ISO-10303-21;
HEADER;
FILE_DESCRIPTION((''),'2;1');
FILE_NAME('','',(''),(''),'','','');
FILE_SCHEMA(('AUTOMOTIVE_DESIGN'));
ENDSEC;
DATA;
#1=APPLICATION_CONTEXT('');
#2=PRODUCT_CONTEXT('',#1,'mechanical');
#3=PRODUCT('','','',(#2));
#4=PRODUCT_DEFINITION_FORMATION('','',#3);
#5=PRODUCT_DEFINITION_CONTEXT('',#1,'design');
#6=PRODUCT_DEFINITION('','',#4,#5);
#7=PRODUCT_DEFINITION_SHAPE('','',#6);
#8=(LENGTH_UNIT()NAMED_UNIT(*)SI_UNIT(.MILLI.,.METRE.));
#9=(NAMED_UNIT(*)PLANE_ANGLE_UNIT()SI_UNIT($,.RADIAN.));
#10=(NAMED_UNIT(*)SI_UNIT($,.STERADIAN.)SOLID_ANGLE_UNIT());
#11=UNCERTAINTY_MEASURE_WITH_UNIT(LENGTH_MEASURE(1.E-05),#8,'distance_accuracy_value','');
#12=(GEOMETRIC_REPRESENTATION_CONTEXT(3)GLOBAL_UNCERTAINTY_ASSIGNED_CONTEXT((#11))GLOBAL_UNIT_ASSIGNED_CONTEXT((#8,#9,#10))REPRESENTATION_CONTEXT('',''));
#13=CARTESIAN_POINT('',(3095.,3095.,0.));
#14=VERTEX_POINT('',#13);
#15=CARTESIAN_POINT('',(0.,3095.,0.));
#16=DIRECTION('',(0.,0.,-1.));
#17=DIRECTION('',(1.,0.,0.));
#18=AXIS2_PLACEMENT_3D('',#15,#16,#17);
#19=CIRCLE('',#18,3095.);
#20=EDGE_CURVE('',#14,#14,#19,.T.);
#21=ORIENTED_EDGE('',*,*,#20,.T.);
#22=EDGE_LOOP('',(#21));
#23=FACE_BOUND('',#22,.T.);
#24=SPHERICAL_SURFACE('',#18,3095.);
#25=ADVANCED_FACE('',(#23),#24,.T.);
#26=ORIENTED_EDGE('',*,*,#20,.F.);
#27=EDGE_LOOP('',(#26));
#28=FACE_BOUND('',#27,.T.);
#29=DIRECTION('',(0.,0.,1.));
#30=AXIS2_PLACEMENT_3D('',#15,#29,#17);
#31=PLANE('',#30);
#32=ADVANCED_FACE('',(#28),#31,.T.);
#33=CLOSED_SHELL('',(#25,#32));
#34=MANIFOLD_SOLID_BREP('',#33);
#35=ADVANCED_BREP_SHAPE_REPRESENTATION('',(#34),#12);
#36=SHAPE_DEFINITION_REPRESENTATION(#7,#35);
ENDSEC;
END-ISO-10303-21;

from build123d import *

# Parameters (mm, degrees)
OBR_T1_ANGLE = 180


with BuildPart() as part:
    # Szkic1 → Obrót1 (revolve)
    with BuildSketch(Plane.XY):
        with BuildLine():
            Line((0, 0), (0, 6190))
            ThreePointArc((0, 6190), (3095, 3095), (0, 0))
        make_face()
    revolve(axis=Axis((0, 0, 0), (0, 1, 0)), revolution_arc=OBR_T1_ANGLE)


solid = part.part
